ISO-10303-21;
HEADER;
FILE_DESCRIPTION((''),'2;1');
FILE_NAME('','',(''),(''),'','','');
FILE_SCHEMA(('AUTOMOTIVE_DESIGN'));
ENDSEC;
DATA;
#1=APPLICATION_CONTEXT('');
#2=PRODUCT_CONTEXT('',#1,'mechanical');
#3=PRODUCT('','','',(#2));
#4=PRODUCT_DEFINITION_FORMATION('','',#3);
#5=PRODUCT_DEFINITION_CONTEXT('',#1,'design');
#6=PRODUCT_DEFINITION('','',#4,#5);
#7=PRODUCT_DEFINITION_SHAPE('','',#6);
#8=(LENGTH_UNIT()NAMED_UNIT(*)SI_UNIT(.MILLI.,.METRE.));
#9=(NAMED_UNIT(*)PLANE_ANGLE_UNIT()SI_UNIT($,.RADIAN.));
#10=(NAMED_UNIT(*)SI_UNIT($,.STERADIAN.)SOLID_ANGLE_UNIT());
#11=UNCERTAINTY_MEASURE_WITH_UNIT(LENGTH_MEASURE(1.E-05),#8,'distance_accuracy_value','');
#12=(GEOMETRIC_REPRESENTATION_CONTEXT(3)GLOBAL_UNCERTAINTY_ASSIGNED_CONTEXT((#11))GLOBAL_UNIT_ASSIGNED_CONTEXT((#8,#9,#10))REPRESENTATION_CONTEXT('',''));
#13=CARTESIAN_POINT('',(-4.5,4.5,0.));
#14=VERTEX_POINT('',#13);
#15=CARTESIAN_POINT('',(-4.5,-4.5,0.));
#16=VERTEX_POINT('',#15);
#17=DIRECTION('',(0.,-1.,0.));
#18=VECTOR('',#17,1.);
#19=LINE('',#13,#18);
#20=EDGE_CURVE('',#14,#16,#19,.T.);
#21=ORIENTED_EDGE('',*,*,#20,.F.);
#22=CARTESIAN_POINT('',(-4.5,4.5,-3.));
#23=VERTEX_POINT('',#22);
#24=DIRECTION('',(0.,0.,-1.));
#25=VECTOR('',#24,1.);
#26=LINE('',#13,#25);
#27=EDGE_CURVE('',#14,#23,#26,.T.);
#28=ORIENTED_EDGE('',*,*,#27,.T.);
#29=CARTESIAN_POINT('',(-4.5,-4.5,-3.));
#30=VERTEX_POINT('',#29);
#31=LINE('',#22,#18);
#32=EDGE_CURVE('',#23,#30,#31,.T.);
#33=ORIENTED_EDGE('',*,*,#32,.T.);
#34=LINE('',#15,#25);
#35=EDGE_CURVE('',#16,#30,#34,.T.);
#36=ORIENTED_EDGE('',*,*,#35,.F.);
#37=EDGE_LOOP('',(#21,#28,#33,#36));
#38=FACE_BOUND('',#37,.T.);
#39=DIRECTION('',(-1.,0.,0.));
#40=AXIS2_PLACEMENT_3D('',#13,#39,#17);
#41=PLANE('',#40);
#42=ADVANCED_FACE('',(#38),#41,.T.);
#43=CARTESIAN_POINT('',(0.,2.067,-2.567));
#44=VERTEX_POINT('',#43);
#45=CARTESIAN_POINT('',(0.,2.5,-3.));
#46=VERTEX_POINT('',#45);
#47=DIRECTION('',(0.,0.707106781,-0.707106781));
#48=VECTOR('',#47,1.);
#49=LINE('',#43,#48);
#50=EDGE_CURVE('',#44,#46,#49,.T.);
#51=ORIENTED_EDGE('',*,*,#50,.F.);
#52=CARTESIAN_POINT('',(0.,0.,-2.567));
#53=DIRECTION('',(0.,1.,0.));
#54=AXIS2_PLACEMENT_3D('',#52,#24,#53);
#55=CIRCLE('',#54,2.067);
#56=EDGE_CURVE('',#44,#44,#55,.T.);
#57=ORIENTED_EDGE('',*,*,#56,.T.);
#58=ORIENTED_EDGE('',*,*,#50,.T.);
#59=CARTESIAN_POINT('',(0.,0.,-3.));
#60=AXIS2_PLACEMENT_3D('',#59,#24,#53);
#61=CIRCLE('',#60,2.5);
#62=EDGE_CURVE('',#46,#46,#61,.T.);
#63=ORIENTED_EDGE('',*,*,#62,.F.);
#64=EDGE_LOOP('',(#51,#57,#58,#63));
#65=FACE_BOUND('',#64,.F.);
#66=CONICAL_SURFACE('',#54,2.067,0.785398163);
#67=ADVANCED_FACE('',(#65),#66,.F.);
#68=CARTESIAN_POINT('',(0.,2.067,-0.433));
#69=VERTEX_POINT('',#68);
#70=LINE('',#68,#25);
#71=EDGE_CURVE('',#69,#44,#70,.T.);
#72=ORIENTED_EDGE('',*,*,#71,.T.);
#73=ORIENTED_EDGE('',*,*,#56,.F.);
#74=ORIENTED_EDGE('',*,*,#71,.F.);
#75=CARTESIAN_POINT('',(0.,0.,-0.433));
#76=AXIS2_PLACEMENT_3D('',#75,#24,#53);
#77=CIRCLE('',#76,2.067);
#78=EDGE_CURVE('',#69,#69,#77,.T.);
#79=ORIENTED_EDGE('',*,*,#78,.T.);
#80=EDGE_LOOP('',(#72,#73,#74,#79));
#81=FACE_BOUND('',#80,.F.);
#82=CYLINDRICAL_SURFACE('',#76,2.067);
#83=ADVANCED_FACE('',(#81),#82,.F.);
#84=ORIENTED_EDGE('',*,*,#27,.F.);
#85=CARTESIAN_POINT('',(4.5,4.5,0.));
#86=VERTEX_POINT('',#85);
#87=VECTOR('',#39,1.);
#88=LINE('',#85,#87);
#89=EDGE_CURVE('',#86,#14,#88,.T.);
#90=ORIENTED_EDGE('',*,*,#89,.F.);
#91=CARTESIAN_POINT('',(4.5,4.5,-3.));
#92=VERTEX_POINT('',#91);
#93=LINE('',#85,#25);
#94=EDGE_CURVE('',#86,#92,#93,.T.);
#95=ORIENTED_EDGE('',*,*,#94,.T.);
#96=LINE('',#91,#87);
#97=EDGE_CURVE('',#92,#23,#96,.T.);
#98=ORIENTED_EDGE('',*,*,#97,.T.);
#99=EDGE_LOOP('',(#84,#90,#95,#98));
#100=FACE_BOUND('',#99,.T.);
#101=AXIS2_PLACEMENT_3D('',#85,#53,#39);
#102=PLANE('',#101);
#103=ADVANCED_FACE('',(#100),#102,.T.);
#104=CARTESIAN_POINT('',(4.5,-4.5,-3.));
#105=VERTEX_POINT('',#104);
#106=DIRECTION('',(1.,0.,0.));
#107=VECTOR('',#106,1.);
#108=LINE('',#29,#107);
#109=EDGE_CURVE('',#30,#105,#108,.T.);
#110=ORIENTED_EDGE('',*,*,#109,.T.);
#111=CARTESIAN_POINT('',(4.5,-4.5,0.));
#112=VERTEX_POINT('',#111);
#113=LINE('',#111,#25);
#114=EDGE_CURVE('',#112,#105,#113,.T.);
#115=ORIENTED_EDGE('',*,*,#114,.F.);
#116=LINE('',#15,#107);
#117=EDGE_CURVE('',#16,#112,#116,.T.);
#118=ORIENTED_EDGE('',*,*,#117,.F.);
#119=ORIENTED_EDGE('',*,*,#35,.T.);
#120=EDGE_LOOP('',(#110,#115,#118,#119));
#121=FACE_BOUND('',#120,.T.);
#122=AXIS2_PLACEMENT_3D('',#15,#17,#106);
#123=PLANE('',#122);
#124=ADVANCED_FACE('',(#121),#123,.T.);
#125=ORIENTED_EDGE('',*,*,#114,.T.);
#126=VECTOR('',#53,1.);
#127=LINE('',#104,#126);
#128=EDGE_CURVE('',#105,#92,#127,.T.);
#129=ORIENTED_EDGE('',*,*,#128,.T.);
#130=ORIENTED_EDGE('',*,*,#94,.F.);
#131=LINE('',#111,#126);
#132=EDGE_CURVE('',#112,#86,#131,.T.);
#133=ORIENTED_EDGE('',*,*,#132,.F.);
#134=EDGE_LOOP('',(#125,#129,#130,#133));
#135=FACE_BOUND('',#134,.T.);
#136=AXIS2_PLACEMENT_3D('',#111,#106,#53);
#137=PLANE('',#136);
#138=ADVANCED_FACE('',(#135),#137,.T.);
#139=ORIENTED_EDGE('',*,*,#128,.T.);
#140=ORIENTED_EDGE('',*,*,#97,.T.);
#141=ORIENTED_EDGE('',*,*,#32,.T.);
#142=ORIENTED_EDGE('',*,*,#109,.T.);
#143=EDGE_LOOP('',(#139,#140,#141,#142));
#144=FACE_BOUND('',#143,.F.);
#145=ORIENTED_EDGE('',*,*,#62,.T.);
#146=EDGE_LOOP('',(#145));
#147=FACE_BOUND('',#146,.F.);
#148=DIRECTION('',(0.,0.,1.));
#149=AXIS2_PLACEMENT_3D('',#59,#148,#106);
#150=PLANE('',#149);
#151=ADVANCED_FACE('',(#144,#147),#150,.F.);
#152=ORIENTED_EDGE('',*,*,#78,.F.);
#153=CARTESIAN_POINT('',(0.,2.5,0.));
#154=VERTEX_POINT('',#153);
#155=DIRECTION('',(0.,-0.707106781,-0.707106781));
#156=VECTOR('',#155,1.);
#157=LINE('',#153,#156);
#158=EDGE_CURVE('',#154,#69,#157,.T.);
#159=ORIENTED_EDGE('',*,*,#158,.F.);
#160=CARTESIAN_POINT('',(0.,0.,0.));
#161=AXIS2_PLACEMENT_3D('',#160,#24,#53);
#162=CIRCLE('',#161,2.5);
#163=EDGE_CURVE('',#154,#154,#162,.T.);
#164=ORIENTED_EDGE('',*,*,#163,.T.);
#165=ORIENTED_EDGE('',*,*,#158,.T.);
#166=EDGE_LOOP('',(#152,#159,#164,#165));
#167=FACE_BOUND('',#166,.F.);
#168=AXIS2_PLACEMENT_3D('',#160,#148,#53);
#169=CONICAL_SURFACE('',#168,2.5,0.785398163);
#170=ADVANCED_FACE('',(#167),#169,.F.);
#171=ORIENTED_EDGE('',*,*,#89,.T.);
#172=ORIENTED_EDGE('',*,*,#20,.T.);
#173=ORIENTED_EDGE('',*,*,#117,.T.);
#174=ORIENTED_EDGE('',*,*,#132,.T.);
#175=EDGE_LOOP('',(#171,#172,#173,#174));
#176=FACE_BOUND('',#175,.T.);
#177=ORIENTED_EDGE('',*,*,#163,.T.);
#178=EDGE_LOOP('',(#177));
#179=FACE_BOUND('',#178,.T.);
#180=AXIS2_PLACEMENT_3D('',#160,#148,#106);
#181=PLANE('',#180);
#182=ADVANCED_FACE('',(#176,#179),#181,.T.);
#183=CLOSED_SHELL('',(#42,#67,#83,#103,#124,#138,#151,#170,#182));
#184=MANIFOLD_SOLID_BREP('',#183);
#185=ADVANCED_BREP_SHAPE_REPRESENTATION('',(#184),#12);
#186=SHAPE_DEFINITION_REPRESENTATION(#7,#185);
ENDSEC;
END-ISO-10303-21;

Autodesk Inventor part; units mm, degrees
sketch "Sketch_1" plane through (0, 0, 0) normal (0, 0, 1) x (1, 0, 0)
  line L0 (-4.5, 4.5) -> (-4.5, -4.5)
  line L1 (-4.5, -4.5) -> (4.5, -4.5)
  line L2 (4.5, -4.5) -> (4.5, 4.5)
  line L3 (4.5, 4.5) -> (-4.5, 4.5)
extrude "Extrusion1" add sketch "Sketch_1" against normal blind 3
sketch "Sketch_2" plane through (0, 0, 0) normal (1, 0, 0) x (0, 1, 0)
  line L0 (0, -3) -> (0, 0)
  line L1 (0, 0) -> (2.5, 0)
  line L2 (2.5, 0) -> (2.067, -0.433)
  line L3 (2.067, -0.433) -> (2.067, -2.567)
  line L4 (2.067, -2.567) -> (2.5, -3)
  line L5 (2.5, -3) -> (0, -3)
  line L6 (0, -3) -> (0, 0)
revolve "Revolution1" cut sketch "Sketch_2" angle 360 about axis through (0, 0, -3) along (0, 0, -1)
thread "Thread1" size "M5x0.8" class "6H" standard "ISO Metric profile" full length
ref_plane "1_XY" through (0, 0, 0) normal (0, 0, 1) x (1, 0, 0)
ref_plane "1_YZ" through (0, 0, 0) normal (1, 0, 0) x (0, 1, 0)
ref_plane "1_ZX" through (0, 0, 0) normal (0, 1, 0) x (0, 0, 1)
properties part number "14122"
